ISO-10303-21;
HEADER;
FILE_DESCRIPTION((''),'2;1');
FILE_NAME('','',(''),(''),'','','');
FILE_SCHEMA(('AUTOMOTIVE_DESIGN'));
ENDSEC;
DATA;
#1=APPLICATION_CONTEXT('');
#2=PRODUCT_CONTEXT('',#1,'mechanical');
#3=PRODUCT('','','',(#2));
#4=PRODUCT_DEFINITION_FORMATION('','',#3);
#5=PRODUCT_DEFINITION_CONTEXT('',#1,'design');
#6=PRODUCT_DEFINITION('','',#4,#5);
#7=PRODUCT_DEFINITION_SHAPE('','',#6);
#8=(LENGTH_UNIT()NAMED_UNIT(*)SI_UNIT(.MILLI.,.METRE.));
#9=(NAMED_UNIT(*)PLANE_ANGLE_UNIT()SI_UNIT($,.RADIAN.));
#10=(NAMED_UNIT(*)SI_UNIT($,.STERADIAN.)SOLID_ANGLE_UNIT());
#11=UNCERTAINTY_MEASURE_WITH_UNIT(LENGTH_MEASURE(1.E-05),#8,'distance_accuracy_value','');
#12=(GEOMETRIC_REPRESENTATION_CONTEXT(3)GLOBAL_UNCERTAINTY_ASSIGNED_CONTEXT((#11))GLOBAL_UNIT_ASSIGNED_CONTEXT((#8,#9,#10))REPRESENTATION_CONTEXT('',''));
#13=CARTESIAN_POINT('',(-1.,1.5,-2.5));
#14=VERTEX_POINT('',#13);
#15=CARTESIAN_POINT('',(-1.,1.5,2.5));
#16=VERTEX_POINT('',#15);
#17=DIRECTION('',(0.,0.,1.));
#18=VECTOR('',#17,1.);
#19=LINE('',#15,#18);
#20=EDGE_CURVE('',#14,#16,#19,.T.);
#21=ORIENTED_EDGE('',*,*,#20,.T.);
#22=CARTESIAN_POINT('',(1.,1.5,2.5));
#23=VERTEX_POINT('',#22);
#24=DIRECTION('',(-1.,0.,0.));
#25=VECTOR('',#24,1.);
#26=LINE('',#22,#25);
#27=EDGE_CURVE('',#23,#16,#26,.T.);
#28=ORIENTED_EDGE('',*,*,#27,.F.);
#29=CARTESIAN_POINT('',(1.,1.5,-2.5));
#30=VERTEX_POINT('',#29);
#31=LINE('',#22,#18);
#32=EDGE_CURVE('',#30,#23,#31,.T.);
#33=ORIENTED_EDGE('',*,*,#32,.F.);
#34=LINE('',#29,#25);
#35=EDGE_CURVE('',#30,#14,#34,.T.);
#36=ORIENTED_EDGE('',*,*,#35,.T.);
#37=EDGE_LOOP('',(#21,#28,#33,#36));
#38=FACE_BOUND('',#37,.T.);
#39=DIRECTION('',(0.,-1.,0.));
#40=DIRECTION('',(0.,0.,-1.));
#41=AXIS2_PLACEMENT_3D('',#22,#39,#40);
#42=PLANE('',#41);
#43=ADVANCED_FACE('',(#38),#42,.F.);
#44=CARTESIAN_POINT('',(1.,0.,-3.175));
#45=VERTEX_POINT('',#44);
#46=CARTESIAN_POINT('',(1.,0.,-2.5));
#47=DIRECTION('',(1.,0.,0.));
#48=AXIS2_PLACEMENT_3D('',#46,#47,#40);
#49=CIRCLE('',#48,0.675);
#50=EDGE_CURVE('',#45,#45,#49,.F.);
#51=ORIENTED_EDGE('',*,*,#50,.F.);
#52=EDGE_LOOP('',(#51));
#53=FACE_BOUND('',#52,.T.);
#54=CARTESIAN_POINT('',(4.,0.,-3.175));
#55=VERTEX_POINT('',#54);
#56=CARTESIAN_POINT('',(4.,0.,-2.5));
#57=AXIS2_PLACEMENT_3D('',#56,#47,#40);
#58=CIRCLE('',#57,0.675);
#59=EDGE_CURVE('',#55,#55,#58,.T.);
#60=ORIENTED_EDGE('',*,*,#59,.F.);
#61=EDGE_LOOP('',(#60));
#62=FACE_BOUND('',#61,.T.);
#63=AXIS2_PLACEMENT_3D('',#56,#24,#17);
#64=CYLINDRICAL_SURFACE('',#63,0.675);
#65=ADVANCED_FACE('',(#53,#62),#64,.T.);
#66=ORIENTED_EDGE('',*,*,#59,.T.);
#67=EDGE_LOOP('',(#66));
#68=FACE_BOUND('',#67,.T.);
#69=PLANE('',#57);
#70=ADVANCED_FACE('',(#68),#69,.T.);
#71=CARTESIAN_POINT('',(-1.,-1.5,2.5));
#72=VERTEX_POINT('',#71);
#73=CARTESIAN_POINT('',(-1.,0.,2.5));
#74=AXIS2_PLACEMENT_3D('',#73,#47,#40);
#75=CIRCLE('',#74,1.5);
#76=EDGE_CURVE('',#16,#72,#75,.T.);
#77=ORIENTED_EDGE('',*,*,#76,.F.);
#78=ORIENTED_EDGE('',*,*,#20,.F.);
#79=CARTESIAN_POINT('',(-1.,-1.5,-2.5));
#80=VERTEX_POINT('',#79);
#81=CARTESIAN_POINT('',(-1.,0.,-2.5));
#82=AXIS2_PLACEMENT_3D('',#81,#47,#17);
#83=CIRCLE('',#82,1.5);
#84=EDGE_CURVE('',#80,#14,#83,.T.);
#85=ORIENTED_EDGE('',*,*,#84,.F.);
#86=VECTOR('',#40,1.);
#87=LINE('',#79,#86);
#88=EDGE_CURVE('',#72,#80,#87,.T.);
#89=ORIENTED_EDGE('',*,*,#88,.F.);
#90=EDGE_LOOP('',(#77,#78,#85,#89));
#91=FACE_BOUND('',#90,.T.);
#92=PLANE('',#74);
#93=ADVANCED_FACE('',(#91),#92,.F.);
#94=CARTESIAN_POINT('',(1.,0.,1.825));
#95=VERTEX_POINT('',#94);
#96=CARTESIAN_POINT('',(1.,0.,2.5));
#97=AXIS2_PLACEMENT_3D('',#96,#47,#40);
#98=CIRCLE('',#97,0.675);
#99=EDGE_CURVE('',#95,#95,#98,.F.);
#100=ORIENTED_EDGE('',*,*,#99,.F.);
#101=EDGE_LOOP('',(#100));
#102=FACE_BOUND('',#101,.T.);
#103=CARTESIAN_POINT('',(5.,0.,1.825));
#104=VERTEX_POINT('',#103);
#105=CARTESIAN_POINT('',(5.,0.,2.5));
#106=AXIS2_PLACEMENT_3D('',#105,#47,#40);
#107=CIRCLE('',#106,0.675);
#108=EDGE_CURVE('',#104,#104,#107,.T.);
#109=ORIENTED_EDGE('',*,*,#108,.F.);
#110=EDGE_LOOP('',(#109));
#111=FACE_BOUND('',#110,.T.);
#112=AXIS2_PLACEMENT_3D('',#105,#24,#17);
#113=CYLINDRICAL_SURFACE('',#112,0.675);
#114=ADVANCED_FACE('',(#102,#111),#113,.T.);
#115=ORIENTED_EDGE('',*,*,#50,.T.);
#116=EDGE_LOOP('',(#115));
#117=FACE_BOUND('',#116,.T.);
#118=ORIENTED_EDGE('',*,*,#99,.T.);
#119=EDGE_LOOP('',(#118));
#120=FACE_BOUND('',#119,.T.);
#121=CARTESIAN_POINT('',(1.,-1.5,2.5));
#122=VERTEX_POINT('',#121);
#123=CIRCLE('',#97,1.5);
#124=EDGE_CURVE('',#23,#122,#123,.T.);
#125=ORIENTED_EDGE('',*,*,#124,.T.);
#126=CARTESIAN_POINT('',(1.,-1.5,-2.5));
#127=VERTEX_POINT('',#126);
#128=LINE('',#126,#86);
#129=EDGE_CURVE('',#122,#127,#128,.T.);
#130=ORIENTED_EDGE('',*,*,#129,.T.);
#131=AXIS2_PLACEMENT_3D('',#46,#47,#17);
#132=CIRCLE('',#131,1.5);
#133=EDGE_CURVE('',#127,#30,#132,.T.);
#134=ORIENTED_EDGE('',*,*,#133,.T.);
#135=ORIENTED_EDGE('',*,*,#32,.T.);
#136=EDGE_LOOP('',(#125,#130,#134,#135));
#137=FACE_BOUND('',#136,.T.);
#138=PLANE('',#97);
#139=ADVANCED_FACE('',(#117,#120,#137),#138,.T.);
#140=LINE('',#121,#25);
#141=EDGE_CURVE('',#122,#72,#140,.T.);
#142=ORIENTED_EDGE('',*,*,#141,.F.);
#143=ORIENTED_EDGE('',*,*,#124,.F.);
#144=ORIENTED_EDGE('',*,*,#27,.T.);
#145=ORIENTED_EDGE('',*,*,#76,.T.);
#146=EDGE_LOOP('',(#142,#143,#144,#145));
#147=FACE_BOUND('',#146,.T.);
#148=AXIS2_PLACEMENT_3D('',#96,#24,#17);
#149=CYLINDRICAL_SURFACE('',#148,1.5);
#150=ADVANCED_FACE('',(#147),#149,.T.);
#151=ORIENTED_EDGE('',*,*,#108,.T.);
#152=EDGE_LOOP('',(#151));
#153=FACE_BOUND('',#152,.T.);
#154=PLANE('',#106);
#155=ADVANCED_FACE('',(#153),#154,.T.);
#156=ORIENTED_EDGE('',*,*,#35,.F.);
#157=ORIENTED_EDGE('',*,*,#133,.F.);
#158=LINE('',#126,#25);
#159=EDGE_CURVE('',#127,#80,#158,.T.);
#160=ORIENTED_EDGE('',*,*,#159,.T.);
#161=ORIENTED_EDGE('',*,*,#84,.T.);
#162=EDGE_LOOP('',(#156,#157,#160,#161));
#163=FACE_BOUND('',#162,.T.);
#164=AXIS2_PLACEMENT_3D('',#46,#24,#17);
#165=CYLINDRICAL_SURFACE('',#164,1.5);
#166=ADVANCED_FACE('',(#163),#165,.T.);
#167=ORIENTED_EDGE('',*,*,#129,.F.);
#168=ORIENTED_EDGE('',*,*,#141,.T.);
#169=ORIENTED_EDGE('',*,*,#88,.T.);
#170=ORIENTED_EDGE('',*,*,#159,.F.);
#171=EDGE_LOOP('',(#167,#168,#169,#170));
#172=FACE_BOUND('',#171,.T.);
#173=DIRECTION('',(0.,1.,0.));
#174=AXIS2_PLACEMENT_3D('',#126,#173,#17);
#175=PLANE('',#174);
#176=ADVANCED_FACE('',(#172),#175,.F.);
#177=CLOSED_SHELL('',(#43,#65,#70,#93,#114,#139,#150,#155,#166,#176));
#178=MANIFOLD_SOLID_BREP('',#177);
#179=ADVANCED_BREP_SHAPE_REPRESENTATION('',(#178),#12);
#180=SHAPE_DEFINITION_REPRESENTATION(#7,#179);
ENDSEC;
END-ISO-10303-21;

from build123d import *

# Parameters (mm, degrees)
BOSS_EXTRUDE1_DEPTH = 1
SKETCH2_R           = 0.675
BOSS_EXTRUDE2_DEPTH = 5
SKETCH3_R           = 0.675
BOSS_EXTRUDE3_DEPTH = 4


with BuildPart() as part:
    # Sketch1 → Boss-Extrude1 (new, symmetric)
    with BuildSketch(Plane(origin=(0, 0, 0), x_dir=(0, 0, -1), z_dir=(1, 0, 0))):
        with BuildLine():
            Line((-2.5, 1.5), (2.5, 1.5))
            ThreePointArc((2.5, 1.5), (4, 0), (2.5, -1.5))
            Line((2.5, -1.5), (-2.5, -1.5))
            ThreePointArc((-2.5, -1.5), (-4, 0), (-2.5, 1.5))
        make_face()
    extrude(amount=BOSS_EXTRUDE1_DEPTH, both=True)

    # Sketch2 → Boss-Extrude2 (add)
    with BuildSketch(Plane(origin=(0, 0, 0), x_dir=(0, 0, -1), z_dir=(1, 0, 0))):
        with Locations((-2.5, 0)):
            Circle(SKETCH2_R)
    extrude(amount=BOSS_EXTRUDE2_DEPTH)

    # Sketch3 → Boss-Extrude3 (add)
    with BuildSketch(Plane(origin=(0, 0, 0), x_dir=(0, 0, -1), z_dir=(1, 0, 0))):
        with Locations((2.5, 0)):
            Circle(SKETCH3_R)
    extrude(amount=BOSS_EXTRUDE3_DEPTH)


solid = part.part
